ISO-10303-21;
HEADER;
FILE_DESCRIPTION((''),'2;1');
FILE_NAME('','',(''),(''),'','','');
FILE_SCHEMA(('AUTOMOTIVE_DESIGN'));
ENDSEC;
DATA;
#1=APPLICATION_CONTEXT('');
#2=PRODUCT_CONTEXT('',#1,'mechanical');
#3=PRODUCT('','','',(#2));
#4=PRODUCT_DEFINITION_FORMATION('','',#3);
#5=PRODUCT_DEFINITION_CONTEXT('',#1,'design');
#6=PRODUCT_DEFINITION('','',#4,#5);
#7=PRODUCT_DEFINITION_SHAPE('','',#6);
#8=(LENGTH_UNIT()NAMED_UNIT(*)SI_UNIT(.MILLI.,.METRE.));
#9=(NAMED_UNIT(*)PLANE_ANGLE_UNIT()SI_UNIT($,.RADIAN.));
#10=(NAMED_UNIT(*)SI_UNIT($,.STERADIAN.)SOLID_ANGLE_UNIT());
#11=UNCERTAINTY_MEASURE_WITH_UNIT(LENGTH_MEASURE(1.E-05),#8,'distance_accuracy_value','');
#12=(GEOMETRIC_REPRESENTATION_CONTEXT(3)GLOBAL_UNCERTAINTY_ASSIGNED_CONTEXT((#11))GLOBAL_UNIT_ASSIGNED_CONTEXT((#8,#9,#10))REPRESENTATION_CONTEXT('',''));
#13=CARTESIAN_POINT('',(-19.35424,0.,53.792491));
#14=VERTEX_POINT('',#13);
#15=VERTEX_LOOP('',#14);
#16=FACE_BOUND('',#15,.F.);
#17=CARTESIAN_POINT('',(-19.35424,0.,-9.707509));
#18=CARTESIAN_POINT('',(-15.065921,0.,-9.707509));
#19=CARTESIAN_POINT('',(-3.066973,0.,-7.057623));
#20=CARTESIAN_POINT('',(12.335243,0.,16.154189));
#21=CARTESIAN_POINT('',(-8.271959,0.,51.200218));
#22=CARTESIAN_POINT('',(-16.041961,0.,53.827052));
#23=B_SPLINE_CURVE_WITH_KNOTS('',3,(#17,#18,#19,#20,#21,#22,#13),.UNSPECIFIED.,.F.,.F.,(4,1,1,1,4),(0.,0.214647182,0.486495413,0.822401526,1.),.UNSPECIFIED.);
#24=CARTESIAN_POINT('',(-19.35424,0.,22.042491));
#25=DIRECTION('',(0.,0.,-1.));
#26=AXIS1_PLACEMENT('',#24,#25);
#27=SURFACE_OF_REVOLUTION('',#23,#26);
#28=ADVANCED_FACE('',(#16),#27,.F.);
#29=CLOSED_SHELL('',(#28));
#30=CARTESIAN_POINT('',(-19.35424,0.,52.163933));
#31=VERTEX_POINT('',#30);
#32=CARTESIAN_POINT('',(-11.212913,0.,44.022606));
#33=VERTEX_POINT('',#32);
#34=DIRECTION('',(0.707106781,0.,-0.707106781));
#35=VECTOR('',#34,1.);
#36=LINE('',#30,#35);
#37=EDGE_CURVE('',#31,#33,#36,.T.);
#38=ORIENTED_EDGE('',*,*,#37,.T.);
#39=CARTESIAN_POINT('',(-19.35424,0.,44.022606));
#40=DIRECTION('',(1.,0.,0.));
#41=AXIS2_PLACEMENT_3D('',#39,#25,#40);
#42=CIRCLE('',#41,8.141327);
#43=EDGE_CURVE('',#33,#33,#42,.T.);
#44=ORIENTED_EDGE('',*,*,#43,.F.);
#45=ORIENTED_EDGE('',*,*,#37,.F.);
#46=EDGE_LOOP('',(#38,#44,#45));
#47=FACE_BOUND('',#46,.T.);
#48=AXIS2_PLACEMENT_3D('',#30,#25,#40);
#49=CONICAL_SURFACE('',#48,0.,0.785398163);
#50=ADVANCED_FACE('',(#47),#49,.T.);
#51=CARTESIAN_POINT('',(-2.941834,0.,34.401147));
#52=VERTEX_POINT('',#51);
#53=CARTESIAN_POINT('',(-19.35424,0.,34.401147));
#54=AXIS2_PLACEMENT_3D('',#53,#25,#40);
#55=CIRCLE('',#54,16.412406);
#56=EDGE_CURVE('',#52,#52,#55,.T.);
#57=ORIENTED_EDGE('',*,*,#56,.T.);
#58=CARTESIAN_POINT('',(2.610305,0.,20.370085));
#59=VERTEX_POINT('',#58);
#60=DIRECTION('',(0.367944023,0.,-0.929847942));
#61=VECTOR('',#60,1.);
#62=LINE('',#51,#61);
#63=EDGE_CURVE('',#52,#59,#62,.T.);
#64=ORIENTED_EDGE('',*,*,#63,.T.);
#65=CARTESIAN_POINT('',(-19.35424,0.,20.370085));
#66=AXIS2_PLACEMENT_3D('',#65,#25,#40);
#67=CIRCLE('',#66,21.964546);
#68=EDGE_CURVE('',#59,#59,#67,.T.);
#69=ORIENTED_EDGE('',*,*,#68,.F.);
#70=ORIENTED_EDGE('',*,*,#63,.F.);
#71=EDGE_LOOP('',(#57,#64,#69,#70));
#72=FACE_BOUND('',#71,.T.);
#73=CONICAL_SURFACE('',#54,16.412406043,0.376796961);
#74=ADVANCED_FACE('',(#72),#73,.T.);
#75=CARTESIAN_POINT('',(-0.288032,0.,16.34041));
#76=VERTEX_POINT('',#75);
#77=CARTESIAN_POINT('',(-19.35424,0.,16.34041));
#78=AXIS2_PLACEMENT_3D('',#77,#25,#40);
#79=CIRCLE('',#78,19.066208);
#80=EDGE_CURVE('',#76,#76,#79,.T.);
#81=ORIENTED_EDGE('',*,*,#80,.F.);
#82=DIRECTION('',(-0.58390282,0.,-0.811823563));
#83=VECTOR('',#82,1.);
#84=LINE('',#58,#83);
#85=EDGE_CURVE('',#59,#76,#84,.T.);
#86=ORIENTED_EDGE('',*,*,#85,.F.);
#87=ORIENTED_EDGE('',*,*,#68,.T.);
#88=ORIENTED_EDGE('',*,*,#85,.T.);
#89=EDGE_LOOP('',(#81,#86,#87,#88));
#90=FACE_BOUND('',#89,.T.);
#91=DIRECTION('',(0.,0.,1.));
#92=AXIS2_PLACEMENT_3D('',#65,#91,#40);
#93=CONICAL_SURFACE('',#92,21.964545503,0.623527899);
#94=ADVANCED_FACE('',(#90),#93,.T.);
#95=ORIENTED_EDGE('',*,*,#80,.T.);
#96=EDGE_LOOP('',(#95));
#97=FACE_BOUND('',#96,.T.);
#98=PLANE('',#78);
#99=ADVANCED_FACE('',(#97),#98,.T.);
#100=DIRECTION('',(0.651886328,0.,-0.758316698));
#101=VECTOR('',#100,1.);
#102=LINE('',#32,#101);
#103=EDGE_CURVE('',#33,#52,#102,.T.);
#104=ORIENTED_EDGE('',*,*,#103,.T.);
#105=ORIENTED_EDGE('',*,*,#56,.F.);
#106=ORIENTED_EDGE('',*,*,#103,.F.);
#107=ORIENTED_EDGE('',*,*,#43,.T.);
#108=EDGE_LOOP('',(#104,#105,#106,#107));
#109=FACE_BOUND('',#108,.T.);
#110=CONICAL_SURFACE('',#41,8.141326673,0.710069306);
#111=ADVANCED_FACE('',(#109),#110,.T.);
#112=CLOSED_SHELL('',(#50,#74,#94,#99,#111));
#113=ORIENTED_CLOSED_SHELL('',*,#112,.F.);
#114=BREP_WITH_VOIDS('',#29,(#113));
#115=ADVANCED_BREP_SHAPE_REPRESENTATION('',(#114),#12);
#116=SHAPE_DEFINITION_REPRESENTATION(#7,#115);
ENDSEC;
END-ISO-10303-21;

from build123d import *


with BuildPart() as f1:
    # F0 (on Front) → F1 (revolve)
    with BuildSketch(Plane.XZ):
        with BuildLine():
            Line((-19.3542401595, 16.3404095446), (-19.3542401595, -9.7075089473))
            add(Edge.make_bspline(
                [(-19.3542401595, -9.7075089473), (-15.0659214791, -9.7075089473), (-3.0669732551, -7.0576229688), (12.3352428059, 16.1541893922), (-8.2719594356, 51.200218007), (-16.0419608638, 53.8270516661), (-19.3542401595, 53.7924910527)],
                knots=[0, 0, 0, 0, 0.2146471823, 0.486495413, 0.8224015259, 1, 1, 1, 1], degree=3))
            Line((-19.3542401595, 53.7924910527), (-19.3542401595, 52.1639326621))
            Line((-19.3542401595, 52.1639326621), (-11.2129134868, 44.0226059894))
            Line((-11.2129134868, 44.0226059894), (-2.9418341166, 34.4011469588))
            Line((-2.9418341166, 34.4011469588), (2.6103053434, 20.3700848172))
            Line((2.6103053434, 20.3700848172), (-0.2880322564, 16.3404095446))
            Line((-0.2880322564, 16.3404095446), (-19.3542401595, 16.3404095446))
        make_face()
    revolve(axis=Axis((-19.3542401595, 0, 22.0424910527), (0, 0, -1)))


solid = f1.part
